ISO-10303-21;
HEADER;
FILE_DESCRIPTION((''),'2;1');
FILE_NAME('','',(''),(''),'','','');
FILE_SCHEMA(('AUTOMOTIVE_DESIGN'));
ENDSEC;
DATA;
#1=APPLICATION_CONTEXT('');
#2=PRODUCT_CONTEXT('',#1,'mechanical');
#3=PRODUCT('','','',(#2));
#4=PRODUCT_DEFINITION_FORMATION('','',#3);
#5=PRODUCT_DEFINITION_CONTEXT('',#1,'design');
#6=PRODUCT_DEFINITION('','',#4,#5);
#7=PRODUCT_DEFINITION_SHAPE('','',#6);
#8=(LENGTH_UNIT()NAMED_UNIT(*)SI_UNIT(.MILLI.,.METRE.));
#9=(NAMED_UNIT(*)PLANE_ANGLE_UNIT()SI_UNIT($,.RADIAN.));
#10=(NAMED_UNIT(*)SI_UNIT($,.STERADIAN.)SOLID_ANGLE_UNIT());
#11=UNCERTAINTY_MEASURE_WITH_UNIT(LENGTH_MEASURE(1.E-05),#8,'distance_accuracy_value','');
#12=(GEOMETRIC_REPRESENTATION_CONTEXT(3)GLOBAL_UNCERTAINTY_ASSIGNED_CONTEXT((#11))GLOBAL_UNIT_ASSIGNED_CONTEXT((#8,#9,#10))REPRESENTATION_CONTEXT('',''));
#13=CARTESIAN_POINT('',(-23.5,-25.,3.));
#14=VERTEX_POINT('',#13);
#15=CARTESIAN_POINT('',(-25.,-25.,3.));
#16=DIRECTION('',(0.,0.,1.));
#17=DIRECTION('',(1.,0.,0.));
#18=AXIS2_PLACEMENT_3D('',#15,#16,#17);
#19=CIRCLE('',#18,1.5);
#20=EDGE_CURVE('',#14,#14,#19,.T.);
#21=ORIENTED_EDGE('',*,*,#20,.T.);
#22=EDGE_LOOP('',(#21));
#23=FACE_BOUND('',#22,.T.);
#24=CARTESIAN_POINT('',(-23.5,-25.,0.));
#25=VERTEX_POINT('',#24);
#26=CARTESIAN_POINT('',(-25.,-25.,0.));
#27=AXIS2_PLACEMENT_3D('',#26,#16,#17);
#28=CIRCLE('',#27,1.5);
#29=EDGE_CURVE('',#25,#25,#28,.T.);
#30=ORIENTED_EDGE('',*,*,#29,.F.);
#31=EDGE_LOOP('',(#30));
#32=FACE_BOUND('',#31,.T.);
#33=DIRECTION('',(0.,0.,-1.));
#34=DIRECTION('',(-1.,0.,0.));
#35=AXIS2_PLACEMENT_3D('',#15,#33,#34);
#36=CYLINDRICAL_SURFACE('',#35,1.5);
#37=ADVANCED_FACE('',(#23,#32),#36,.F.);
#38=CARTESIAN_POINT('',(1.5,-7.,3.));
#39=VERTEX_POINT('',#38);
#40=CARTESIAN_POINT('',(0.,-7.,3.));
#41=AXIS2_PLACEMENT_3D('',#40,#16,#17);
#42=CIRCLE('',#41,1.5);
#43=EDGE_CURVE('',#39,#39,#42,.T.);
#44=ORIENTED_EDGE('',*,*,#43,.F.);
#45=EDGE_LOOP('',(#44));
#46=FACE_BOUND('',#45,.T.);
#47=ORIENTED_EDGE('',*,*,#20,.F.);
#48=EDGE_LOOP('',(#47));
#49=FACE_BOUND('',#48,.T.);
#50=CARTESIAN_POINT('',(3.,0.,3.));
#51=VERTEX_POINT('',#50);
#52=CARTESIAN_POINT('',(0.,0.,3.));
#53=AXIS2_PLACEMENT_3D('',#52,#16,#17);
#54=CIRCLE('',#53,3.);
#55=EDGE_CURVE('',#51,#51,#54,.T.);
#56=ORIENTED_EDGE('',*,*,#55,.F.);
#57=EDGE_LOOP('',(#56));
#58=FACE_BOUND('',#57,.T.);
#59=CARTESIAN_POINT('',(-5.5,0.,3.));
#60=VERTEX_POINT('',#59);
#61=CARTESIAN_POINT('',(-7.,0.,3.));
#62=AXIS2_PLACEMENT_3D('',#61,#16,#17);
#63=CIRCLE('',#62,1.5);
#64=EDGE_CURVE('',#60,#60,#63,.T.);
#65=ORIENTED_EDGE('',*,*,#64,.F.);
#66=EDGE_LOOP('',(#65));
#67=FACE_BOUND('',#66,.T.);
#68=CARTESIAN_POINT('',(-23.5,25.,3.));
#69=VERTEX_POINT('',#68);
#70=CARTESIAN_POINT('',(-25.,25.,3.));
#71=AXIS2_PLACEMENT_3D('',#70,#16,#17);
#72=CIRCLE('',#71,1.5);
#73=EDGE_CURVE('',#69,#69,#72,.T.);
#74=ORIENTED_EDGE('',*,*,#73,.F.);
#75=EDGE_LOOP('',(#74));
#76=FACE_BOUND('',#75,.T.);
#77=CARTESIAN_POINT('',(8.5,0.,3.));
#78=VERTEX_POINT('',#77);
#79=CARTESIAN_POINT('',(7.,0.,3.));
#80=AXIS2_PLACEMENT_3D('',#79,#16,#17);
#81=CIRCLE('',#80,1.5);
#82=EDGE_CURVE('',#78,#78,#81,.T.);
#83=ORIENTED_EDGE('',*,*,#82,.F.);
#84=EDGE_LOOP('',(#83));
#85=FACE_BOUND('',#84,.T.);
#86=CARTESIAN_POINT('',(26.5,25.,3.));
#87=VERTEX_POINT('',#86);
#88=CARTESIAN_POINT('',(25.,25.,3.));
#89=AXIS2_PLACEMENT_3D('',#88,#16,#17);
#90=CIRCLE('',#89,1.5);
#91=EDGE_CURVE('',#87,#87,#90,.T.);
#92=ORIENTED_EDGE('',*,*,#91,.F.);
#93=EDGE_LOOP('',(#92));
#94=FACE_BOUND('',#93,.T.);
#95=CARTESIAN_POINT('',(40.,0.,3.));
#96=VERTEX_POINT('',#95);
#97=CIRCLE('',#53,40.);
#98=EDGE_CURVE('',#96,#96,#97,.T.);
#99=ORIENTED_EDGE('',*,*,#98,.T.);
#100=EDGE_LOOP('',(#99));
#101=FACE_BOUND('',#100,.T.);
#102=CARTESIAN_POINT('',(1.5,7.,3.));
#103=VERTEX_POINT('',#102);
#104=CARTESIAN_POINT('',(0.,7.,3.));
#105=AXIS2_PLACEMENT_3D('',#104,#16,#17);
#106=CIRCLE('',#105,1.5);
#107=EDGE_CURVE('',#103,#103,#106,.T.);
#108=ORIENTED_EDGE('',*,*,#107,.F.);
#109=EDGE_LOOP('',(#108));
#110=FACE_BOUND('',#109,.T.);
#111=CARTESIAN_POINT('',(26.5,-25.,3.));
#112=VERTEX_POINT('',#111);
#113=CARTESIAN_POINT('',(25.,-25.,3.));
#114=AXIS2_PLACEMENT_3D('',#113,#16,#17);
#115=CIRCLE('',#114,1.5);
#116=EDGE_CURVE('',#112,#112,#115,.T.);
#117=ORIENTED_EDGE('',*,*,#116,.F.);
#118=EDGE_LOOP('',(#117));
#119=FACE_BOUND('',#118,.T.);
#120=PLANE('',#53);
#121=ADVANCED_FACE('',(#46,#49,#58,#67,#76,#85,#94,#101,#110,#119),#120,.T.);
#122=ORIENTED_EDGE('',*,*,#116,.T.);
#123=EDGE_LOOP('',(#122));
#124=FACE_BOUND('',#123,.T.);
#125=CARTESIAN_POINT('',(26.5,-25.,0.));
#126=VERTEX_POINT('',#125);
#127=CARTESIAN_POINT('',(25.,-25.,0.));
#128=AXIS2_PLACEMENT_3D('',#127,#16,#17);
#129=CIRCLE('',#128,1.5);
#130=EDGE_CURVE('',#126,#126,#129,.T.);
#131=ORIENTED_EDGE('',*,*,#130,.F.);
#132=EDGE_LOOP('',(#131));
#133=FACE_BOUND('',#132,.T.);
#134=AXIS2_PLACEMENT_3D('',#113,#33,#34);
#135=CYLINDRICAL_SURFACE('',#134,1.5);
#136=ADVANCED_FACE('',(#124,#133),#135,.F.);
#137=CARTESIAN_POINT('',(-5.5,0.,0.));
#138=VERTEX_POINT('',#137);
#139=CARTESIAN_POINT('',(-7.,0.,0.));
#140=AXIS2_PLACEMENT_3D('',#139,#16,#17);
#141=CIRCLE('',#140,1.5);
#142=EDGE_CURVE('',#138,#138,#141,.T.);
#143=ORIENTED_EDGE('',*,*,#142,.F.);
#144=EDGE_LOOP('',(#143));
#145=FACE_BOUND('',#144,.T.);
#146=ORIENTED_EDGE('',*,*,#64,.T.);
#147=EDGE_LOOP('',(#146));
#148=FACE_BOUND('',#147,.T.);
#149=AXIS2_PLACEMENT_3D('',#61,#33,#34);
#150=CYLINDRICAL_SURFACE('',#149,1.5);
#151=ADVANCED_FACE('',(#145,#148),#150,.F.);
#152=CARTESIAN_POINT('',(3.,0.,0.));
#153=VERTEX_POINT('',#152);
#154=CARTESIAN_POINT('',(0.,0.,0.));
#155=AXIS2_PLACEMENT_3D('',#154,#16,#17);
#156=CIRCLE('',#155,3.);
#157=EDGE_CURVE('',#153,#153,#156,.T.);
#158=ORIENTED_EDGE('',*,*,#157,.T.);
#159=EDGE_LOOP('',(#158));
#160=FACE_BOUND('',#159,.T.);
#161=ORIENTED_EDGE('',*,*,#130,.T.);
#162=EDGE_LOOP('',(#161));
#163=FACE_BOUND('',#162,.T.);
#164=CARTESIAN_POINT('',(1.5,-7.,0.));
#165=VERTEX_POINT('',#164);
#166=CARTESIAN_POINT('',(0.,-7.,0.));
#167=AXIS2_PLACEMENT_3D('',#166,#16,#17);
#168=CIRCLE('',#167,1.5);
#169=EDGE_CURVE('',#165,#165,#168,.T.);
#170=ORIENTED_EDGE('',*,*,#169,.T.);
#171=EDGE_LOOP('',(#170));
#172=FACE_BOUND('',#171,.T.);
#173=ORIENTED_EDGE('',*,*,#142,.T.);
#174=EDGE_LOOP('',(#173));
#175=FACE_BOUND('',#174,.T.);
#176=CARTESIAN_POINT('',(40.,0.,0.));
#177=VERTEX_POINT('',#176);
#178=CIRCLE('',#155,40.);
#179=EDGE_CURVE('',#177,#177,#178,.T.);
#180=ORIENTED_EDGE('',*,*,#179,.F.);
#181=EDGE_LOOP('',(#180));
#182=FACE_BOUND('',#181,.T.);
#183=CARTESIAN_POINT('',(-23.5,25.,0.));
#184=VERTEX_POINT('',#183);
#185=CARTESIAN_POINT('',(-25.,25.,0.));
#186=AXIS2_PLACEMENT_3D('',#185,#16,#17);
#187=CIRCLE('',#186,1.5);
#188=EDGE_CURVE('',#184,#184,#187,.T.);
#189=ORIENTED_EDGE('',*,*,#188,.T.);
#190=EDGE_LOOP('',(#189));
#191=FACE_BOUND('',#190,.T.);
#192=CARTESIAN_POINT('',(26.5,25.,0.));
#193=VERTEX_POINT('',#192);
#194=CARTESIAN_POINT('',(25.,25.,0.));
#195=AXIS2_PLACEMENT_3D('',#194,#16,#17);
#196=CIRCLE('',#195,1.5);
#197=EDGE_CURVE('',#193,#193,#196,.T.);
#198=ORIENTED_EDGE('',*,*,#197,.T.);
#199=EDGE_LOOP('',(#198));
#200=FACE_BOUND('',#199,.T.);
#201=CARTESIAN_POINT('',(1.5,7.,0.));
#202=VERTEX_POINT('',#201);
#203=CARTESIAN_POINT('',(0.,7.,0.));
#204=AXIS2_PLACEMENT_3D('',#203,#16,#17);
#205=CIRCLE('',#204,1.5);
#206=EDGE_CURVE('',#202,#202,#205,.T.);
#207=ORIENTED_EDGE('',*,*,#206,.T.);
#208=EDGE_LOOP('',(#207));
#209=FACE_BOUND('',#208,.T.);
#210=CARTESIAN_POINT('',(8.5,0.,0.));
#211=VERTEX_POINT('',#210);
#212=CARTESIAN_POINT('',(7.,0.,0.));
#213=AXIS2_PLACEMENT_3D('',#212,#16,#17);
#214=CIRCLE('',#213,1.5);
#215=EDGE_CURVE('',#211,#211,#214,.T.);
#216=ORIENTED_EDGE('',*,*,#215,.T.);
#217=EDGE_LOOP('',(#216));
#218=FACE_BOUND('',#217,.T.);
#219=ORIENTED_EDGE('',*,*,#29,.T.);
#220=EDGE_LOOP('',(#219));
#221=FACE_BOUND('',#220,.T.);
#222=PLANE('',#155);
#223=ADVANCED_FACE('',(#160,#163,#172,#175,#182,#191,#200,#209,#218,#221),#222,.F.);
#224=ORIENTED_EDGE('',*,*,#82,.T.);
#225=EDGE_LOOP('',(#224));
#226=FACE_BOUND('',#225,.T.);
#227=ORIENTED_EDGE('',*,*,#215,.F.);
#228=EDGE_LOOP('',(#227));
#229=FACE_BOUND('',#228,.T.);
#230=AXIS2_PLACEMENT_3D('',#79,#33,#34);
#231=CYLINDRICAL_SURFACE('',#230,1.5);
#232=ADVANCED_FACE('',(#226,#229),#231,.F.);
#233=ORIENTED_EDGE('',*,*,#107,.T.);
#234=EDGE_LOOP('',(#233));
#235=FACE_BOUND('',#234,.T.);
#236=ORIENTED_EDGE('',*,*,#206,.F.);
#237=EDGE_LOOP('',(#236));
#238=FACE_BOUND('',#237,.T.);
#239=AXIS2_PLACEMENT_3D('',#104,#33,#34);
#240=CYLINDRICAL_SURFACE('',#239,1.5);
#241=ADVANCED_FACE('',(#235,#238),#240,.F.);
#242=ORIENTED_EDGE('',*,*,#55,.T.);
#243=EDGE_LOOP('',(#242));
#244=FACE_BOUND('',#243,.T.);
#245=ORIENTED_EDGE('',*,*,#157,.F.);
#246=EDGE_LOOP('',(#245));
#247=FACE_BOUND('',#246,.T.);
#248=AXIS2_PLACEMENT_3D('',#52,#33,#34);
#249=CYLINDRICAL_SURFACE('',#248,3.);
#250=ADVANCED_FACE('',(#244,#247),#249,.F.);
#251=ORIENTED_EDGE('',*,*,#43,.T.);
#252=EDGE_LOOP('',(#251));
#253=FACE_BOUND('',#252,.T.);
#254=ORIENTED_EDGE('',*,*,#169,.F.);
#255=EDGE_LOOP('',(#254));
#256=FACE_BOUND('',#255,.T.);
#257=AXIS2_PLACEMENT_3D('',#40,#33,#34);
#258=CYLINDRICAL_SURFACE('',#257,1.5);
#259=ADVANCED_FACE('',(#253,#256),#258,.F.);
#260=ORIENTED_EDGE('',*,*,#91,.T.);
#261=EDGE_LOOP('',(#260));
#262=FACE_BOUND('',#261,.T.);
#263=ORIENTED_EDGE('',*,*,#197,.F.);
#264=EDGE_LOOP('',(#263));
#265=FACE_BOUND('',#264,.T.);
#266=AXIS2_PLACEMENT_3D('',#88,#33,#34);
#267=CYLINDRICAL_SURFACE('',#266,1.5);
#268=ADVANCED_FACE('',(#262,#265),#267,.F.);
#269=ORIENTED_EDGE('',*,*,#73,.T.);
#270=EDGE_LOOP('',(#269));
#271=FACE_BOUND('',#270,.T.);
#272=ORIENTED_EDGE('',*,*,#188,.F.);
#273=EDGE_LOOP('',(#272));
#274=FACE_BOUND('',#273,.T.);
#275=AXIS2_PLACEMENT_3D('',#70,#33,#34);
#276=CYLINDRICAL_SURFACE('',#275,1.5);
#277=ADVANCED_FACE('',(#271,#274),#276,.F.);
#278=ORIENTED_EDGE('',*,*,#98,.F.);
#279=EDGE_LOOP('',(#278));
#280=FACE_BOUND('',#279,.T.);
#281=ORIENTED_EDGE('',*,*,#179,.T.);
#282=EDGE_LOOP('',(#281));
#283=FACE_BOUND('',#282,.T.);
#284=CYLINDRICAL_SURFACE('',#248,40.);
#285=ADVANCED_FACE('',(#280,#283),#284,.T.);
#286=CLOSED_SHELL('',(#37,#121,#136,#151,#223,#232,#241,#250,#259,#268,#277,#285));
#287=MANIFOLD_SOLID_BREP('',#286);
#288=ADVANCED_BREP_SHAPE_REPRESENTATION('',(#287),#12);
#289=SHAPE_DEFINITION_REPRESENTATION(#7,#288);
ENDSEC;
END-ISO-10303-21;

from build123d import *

# Parameters (mm, degrees)
SKETCH_1_R      = 40
SKETCH_1_R_2    = 1.5
SKETCH_1_R_3    = 3
EXTRUDE_1_DEPTH = 3


with BuildPart() as part:
    # 草图1 → 凸台-拉伸1 (new body)
    with BuildSketch(Plane.XY):
        Circle(SKETCH_1_R)
        with Locations((-25, 25)):
            Circle(SKETCH_1_R_2, mode=Mode.SUBTRACT)
        with Locations((25, 25)):
            Circle(SKETCH_1_R_2, mode=Mode.SUBTRACT)
        with Locations((25, -25)):
            Circle(SKETCH_1_R_2, mode=Mode.SUBTRACT)
        with Locations((-25, -25)):
            Circle(SKETCH_1_R_2, mode=Mode.SUBTRACT)
        Circle(SKETCH_1_R_3, mode=Mode.SUBTRACT)
        with Locations((0, 7)):
            Circle(SKETCH_1_R_2, mode=Mode.SUBTRACT)
        with Locations((-7, 0)):
            Circle(SKETCH_1_R_2, mode=Mode.SUBTRACT)
        with Locations((7, 0)):
            Circle(SKETCH_1_R_2, mode=Mode.SUBTRACT)
        with Locations((0, -7)):
            Circle(SKETCH_1_R_2, mode=Mode.SUBTRACT)
    extrude(amount=EXTRUDE_1_DEPTH)


solid = part.part
